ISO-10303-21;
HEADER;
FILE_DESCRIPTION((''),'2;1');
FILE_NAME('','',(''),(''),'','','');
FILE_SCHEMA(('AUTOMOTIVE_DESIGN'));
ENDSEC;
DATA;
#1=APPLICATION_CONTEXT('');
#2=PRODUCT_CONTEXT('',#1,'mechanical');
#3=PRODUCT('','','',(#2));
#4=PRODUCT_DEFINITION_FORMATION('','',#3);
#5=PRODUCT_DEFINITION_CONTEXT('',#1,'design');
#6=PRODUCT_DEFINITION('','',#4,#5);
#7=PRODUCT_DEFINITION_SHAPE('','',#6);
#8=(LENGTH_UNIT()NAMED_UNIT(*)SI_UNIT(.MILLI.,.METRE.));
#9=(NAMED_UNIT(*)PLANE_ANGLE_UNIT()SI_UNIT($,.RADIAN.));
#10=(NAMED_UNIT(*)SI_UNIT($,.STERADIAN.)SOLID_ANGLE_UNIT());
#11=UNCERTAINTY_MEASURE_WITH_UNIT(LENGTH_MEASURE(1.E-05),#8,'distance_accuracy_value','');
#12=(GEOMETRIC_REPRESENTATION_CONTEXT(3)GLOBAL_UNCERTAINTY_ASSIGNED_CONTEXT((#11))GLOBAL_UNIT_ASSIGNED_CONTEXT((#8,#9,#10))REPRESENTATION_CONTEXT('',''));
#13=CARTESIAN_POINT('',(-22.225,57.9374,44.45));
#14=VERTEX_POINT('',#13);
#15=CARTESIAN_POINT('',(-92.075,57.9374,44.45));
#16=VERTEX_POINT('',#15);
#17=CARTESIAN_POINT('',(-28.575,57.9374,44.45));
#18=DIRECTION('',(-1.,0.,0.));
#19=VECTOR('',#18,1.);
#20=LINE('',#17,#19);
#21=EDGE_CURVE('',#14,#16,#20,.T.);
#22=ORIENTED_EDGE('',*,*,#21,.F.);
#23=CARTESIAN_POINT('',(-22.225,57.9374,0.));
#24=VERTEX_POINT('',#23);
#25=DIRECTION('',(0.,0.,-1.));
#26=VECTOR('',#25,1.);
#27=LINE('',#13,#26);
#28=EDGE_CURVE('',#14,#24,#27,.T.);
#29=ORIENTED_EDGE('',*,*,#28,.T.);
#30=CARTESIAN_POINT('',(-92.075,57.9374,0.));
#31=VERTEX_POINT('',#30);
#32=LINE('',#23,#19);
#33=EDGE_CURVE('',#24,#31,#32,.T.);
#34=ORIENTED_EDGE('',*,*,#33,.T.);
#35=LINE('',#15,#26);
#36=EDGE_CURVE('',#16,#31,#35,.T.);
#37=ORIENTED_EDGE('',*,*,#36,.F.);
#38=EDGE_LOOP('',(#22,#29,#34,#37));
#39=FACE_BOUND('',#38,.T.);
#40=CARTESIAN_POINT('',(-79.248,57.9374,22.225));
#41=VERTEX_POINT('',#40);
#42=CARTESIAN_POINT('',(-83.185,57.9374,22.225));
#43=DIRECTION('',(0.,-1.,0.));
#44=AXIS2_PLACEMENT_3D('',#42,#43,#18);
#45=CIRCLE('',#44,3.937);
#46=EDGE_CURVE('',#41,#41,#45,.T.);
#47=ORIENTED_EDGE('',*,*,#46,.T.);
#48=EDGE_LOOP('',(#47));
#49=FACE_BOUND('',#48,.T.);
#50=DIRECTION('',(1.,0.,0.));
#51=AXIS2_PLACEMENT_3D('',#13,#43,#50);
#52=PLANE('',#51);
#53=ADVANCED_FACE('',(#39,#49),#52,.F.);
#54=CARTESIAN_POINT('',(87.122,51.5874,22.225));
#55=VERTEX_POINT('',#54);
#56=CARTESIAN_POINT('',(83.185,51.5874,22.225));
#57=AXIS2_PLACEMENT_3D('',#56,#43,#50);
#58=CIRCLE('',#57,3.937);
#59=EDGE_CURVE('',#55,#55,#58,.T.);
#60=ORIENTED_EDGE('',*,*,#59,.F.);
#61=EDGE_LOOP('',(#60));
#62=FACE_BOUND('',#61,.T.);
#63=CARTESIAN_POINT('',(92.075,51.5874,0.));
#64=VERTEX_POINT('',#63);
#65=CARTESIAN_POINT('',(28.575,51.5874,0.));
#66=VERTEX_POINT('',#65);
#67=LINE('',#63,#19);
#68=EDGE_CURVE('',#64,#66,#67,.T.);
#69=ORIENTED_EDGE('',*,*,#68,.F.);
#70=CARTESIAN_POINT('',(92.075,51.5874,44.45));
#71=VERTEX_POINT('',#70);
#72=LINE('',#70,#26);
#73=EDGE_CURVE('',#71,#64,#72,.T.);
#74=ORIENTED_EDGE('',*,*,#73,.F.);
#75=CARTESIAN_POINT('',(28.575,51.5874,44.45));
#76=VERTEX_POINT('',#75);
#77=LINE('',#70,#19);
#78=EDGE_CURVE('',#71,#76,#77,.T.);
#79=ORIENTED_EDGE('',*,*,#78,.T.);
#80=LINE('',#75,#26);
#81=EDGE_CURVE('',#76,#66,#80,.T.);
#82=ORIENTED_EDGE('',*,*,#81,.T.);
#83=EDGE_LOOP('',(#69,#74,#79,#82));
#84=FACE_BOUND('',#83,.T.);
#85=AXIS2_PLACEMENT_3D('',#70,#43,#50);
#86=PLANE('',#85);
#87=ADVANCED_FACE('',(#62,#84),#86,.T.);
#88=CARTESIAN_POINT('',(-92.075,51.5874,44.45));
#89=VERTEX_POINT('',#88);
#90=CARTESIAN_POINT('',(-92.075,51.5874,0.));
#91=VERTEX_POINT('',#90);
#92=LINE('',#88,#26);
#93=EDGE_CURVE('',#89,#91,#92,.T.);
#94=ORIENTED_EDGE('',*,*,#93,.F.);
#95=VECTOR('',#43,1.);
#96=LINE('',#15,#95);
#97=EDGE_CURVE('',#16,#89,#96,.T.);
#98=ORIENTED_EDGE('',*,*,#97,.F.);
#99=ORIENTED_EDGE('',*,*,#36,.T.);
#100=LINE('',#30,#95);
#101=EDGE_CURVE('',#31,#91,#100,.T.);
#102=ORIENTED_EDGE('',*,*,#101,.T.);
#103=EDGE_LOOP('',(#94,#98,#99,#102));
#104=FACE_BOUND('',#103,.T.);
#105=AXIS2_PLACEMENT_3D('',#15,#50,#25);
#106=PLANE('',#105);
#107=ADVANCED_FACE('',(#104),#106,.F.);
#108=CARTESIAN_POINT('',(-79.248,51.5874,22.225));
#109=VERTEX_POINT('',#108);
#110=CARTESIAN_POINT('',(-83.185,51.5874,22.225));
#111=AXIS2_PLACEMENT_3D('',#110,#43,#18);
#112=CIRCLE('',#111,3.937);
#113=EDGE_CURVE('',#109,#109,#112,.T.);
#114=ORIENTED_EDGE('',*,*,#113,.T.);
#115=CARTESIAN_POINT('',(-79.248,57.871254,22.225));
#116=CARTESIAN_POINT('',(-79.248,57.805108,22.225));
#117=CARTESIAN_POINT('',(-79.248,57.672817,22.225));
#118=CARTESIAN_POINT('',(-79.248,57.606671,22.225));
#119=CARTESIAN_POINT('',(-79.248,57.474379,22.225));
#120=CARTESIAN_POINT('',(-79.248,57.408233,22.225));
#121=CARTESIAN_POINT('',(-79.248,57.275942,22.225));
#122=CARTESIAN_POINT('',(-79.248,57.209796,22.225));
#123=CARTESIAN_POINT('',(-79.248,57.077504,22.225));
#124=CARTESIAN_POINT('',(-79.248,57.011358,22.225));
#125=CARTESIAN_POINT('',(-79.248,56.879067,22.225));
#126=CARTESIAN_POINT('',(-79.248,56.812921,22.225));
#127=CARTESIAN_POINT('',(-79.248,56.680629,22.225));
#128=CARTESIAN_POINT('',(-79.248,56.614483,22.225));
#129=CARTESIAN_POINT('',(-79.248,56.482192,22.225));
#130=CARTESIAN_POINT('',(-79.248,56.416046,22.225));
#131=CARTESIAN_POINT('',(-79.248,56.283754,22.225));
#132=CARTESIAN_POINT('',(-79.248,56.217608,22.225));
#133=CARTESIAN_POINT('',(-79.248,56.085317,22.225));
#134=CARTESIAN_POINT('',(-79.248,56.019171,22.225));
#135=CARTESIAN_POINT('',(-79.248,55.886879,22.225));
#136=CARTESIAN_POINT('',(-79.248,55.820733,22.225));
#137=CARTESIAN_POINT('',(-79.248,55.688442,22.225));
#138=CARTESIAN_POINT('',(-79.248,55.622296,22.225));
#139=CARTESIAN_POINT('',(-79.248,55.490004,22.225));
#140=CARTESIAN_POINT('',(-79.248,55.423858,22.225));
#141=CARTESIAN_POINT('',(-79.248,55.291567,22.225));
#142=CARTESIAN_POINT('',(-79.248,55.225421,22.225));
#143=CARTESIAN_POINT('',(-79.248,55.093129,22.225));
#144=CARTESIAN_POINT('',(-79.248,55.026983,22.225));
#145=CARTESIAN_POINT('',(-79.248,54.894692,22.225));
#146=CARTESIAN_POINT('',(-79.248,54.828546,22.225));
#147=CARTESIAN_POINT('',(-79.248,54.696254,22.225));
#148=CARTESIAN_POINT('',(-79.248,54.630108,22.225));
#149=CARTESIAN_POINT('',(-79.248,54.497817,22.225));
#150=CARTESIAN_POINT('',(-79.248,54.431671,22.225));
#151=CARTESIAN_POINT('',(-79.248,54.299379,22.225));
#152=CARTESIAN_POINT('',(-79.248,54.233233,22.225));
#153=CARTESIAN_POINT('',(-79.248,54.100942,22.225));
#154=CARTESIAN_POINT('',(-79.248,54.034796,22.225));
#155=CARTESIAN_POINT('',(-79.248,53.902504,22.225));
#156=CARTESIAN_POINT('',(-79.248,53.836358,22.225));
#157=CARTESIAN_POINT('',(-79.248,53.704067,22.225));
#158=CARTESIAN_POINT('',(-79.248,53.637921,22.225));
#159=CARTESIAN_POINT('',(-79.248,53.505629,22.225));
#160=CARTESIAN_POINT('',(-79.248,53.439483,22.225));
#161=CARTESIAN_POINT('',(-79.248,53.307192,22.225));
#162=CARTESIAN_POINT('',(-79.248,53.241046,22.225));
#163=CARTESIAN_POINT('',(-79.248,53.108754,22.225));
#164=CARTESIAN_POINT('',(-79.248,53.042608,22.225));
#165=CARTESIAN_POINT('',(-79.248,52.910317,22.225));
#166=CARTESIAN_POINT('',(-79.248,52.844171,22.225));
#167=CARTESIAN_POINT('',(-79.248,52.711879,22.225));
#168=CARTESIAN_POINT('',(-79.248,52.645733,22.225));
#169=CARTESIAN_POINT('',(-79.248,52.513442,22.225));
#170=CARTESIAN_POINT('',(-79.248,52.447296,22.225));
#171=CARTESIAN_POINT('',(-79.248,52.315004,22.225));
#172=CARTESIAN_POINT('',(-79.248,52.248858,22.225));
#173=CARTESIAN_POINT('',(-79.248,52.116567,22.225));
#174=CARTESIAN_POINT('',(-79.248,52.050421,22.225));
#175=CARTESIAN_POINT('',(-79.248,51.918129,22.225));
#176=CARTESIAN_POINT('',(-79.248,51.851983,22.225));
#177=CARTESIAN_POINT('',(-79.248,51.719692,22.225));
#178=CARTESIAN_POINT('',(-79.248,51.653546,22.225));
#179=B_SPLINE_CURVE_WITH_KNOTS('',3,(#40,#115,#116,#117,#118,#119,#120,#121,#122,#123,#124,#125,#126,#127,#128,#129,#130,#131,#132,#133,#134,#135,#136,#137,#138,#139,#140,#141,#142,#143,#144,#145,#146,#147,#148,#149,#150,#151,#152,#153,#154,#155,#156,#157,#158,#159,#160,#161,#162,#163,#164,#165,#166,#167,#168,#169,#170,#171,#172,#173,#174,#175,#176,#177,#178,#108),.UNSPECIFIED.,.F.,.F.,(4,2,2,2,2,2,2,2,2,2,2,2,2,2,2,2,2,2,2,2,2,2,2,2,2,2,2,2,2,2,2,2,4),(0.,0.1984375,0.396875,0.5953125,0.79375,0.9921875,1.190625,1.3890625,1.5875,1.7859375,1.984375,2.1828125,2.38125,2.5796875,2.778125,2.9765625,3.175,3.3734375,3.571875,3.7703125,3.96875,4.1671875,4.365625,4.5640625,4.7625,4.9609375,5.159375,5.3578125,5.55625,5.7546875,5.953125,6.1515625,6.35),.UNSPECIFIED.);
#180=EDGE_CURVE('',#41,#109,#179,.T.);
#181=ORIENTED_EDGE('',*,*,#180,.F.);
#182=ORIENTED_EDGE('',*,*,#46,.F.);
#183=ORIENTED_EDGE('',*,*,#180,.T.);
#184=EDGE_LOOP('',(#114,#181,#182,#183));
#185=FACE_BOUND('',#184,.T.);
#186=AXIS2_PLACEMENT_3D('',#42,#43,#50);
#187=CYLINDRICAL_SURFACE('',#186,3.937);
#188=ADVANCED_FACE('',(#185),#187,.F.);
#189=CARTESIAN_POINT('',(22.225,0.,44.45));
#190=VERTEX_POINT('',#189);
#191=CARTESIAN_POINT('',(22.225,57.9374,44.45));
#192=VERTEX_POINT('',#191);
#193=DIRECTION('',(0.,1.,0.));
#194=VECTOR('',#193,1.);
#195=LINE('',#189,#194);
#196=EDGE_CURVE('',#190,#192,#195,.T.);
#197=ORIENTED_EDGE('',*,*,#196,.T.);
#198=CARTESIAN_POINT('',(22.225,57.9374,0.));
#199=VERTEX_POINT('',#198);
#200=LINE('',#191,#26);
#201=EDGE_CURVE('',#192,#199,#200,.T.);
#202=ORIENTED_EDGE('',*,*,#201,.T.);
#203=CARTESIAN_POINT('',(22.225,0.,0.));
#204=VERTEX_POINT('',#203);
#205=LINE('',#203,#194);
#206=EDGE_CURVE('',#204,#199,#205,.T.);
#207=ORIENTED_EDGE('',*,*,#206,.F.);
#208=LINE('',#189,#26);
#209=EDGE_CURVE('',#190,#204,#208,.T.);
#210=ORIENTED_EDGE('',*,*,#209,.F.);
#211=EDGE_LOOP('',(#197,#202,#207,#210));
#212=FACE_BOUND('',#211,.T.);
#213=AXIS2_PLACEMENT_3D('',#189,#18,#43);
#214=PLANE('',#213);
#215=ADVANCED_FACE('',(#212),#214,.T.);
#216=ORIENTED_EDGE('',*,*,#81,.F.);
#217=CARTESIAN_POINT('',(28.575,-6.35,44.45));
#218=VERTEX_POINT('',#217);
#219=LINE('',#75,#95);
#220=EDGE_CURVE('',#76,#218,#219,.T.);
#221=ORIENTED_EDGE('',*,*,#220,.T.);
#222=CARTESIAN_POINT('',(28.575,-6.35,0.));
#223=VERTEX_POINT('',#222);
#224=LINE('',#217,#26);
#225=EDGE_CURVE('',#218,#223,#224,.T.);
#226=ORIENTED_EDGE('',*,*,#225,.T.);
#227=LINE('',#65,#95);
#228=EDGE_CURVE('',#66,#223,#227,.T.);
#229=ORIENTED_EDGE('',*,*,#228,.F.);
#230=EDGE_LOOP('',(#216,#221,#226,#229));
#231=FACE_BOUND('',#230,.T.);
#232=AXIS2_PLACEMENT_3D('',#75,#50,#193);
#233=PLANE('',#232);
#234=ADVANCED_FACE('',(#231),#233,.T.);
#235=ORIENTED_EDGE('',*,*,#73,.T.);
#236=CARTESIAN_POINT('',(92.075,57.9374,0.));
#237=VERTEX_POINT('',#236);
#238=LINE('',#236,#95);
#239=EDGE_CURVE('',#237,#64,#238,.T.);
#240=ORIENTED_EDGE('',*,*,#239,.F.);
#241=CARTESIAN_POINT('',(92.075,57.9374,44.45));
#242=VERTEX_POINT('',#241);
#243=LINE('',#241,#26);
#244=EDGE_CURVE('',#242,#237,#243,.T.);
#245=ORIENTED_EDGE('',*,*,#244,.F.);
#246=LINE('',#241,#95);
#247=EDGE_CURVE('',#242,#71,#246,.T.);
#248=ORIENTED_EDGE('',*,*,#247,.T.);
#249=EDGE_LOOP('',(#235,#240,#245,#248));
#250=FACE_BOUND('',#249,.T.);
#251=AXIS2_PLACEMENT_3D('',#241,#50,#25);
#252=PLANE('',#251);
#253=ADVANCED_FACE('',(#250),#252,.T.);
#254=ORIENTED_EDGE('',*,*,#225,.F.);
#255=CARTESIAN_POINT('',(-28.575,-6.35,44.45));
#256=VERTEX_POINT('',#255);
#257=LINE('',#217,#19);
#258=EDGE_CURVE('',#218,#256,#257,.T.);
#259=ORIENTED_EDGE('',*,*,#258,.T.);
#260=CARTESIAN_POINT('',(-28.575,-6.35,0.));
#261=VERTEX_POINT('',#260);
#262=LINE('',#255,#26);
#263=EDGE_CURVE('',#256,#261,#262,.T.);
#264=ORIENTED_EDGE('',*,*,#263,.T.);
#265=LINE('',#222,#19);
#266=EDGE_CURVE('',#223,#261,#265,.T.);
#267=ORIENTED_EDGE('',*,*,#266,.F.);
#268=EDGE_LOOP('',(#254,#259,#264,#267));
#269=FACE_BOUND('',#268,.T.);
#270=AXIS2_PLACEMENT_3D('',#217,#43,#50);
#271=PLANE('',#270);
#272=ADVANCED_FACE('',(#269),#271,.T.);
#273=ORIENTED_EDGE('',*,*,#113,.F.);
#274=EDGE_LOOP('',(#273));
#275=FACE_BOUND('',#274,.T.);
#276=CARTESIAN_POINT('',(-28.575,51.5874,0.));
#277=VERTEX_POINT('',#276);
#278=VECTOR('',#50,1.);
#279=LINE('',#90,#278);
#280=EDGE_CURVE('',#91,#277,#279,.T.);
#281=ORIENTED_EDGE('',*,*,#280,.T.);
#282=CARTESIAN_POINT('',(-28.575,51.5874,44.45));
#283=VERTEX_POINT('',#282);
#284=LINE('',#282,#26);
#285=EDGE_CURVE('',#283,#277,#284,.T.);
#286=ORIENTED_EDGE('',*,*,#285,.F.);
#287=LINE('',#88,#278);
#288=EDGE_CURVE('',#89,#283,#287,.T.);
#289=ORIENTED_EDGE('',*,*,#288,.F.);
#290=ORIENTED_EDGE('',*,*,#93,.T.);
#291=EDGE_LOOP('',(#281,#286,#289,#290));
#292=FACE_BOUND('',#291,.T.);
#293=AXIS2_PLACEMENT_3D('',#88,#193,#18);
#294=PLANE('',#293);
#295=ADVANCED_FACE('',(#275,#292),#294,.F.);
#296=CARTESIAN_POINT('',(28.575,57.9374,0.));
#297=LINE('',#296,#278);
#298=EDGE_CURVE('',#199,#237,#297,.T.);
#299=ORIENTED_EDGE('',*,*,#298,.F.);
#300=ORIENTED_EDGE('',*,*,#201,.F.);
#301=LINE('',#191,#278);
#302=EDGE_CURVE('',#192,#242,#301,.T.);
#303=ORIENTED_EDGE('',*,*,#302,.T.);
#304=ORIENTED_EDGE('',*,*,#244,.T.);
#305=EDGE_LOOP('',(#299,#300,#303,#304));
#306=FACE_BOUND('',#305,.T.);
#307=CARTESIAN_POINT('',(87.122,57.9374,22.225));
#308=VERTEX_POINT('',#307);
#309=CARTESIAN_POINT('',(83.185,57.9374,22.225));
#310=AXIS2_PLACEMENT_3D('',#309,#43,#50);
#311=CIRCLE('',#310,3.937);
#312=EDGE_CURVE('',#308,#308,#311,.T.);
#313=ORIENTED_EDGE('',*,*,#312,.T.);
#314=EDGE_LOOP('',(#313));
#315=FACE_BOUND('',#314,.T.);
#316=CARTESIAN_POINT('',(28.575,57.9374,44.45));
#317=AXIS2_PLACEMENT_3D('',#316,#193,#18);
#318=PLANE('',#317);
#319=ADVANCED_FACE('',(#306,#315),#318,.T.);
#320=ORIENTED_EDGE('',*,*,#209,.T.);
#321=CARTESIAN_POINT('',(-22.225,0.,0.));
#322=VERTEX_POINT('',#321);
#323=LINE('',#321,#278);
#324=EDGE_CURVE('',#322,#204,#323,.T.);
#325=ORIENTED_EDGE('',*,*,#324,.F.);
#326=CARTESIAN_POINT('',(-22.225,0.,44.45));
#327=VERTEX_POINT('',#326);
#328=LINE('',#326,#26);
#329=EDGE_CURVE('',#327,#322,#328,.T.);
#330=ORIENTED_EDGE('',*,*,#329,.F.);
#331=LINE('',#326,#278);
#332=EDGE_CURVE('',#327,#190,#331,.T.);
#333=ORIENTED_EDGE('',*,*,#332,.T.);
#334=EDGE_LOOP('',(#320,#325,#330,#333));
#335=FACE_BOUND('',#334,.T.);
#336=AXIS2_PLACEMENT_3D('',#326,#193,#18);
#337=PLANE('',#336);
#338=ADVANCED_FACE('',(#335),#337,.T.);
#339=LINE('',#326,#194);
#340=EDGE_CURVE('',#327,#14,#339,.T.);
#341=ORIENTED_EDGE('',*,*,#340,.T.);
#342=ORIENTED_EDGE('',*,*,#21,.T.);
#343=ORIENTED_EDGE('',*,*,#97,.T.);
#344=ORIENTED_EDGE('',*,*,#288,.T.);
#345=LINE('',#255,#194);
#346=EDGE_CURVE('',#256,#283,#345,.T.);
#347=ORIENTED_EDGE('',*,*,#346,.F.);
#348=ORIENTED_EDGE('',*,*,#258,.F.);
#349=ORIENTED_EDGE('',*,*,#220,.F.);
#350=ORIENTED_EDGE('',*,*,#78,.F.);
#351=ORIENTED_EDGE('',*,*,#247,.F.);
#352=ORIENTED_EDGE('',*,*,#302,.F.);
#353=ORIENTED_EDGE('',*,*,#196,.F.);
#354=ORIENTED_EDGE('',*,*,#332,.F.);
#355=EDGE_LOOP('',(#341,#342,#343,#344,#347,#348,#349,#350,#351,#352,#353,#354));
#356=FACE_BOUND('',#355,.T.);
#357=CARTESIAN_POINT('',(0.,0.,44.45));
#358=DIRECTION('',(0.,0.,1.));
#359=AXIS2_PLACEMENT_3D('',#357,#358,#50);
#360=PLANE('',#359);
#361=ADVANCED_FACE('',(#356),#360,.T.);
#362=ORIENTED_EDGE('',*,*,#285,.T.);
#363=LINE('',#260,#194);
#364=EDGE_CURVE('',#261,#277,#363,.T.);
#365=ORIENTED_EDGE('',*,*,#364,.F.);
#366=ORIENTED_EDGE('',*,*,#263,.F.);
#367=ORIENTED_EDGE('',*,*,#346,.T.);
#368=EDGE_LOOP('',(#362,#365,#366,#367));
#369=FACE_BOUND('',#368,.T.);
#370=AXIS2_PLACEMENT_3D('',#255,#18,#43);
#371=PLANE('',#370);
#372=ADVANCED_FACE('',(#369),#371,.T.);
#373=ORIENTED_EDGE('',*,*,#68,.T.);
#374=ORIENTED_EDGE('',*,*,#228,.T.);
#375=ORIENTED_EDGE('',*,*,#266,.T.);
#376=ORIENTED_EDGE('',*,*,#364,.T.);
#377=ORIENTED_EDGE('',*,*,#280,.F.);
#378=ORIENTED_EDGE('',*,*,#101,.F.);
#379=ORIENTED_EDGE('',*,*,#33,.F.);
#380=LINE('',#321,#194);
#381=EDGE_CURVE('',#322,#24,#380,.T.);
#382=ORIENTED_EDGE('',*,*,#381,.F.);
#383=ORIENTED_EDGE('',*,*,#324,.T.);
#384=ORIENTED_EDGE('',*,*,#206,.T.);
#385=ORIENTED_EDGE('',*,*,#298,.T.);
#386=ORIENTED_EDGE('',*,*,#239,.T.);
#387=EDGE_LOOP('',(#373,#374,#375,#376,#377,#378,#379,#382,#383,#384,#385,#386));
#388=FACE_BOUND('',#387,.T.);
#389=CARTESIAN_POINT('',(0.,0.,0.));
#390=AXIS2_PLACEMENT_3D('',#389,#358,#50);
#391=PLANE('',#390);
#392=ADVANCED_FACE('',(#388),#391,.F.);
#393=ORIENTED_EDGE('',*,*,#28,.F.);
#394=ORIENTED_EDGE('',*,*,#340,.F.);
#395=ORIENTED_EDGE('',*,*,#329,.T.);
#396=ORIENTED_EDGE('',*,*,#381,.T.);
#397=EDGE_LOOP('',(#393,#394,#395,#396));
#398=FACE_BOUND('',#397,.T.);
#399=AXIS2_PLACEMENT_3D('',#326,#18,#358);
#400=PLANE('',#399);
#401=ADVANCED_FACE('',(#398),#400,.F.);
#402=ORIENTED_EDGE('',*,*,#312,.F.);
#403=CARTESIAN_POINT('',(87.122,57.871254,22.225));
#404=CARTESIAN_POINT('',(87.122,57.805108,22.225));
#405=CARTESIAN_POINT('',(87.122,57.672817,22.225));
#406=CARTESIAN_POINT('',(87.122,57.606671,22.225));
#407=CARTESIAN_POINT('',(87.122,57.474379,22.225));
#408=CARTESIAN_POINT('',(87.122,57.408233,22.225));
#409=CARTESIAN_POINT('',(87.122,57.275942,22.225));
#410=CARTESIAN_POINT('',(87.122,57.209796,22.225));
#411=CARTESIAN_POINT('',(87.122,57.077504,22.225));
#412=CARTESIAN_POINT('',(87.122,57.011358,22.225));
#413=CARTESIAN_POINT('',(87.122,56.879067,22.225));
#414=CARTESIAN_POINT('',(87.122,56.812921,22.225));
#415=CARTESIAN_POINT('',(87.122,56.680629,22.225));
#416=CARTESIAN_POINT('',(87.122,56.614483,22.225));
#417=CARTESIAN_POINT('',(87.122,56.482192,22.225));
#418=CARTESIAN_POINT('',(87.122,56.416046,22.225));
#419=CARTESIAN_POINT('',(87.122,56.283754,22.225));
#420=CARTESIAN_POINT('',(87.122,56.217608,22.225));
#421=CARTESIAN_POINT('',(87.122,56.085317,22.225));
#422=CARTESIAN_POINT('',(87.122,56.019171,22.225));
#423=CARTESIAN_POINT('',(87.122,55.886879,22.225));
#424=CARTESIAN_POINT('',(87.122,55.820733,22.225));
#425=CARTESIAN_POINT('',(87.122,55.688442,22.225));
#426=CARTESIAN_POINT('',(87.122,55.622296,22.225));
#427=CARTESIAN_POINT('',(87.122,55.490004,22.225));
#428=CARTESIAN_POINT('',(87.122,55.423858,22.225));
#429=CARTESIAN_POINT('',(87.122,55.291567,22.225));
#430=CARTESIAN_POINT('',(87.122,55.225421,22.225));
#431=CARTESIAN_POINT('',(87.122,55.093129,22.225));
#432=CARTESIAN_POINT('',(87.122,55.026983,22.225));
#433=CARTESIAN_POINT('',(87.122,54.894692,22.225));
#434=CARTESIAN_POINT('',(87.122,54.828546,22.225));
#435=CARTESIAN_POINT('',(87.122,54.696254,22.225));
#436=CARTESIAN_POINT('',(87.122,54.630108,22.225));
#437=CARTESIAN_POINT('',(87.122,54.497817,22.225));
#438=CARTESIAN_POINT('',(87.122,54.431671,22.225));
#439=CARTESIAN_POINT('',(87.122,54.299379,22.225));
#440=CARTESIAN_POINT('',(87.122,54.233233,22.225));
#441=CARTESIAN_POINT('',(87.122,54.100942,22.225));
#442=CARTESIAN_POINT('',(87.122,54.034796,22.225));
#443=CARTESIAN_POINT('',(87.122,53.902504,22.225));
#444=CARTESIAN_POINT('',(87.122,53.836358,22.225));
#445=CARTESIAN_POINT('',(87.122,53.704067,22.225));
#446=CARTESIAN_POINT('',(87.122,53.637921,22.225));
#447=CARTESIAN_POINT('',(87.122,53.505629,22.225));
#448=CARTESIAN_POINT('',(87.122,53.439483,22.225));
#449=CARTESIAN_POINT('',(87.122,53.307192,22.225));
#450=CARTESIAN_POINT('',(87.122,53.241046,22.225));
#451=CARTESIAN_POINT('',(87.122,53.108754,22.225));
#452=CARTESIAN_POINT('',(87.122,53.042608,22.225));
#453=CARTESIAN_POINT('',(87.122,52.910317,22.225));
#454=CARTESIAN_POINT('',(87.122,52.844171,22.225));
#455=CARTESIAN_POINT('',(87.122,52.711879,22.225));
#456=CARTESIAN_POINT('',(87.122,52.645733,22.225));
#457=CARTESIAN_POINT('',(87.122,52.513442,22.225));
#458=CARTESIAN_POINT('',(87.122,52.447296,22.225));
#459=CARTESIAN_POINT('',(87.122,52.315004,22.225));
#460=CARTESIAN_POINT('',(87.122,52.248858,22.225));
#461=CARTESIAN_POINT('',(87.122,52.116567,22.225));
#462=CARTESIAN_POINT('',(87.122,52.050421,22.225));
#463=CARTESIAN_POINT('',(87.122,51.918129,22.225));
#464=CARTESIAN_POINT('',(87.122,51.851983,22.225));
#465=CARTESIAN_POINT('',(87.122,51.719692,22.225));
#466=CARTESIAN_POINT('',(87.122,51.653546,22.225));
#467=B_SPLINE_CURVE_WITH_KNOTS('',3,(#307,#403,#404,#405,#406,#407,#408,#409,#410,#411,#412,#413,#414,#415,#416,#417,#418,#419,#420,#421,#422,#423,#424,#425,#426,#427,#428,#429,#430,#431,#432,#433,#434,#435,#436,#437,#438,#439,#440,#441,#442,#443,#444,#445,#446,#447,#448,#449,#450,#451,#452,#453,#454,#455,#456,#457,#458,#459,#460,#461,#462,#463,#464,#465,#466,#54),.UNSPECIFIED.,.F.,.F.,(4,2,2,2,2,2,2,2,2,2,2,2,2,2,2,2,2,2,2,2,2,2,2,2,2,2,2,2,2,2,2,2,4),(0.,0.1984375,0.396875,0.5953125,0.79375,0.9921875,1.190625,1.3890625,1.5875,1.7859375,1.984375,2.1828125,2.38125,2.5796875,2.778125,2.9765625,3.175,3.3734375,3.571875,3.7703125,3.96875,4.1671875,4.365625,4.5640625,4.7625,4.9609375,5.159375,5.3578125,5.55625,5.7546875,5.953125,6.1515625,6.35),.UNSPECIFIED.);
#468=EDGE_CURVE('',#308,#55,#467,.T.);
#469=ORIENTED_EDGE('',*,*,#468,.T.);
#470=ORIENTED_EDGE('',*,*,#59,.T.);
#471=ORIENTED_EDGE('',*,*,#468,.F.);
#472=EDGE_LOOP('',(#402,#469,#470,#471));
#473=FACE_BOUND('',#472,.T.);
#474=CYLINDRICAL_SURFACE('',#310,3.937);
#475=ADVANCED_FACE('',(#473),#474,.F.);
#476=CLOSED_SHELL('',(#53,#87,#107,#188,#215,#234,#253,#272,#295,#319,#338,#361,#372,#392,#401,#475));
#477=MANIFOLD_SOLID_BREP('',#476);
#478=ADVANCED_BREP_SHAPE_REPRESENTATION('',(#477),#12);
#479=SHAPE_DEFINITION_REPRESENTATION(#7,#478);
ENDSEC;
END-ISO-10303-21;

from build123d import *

# Parameters (mm, degrees)
BOSS_EXTRUDE1_DEPTH = 44.45
SKETCH2_R           = 3.937
CUT_EXTRUDE1_DEPTH  = 118.517447401


with BuildPart() as part:
    # Sketch1 → Boss-Extrude1 (new body)
    with BuildSketch(Plane.XY):
        Polygon((-22.225, 0), (22.225, 0), (22.225, 57.9374), (28.575, 57.9374), (92.075, 57.9374), (92.075, 51.5874), (28.575, 51.5874), (28.575, -6.35), (-28.575, -6.35), (-28.575, 51.5874), (-92.075, 51.5874), (-92.075, 57.9374), (-28.575, 57.9374), (-22.225, 57.9374), align=None)
    extrude(amount=BOSS_EXTRUDE1_DEPTH)

    # Sketch2 → Cut-Extrude1 (cut, through all)
    with BuildSketch(Plane.XZ.offset(-51.5874)):
        with Locations((83.185, 22.225)):
            Circle(SKETCH2_R)
        with Locations((-83.185, 22.225)):
            Circle(SKETCH2_R)
    extrude(amount=-CUT_EXTRUDE1_DEPTH, mode=Mode.SUBTRACT)


solid = part.part
